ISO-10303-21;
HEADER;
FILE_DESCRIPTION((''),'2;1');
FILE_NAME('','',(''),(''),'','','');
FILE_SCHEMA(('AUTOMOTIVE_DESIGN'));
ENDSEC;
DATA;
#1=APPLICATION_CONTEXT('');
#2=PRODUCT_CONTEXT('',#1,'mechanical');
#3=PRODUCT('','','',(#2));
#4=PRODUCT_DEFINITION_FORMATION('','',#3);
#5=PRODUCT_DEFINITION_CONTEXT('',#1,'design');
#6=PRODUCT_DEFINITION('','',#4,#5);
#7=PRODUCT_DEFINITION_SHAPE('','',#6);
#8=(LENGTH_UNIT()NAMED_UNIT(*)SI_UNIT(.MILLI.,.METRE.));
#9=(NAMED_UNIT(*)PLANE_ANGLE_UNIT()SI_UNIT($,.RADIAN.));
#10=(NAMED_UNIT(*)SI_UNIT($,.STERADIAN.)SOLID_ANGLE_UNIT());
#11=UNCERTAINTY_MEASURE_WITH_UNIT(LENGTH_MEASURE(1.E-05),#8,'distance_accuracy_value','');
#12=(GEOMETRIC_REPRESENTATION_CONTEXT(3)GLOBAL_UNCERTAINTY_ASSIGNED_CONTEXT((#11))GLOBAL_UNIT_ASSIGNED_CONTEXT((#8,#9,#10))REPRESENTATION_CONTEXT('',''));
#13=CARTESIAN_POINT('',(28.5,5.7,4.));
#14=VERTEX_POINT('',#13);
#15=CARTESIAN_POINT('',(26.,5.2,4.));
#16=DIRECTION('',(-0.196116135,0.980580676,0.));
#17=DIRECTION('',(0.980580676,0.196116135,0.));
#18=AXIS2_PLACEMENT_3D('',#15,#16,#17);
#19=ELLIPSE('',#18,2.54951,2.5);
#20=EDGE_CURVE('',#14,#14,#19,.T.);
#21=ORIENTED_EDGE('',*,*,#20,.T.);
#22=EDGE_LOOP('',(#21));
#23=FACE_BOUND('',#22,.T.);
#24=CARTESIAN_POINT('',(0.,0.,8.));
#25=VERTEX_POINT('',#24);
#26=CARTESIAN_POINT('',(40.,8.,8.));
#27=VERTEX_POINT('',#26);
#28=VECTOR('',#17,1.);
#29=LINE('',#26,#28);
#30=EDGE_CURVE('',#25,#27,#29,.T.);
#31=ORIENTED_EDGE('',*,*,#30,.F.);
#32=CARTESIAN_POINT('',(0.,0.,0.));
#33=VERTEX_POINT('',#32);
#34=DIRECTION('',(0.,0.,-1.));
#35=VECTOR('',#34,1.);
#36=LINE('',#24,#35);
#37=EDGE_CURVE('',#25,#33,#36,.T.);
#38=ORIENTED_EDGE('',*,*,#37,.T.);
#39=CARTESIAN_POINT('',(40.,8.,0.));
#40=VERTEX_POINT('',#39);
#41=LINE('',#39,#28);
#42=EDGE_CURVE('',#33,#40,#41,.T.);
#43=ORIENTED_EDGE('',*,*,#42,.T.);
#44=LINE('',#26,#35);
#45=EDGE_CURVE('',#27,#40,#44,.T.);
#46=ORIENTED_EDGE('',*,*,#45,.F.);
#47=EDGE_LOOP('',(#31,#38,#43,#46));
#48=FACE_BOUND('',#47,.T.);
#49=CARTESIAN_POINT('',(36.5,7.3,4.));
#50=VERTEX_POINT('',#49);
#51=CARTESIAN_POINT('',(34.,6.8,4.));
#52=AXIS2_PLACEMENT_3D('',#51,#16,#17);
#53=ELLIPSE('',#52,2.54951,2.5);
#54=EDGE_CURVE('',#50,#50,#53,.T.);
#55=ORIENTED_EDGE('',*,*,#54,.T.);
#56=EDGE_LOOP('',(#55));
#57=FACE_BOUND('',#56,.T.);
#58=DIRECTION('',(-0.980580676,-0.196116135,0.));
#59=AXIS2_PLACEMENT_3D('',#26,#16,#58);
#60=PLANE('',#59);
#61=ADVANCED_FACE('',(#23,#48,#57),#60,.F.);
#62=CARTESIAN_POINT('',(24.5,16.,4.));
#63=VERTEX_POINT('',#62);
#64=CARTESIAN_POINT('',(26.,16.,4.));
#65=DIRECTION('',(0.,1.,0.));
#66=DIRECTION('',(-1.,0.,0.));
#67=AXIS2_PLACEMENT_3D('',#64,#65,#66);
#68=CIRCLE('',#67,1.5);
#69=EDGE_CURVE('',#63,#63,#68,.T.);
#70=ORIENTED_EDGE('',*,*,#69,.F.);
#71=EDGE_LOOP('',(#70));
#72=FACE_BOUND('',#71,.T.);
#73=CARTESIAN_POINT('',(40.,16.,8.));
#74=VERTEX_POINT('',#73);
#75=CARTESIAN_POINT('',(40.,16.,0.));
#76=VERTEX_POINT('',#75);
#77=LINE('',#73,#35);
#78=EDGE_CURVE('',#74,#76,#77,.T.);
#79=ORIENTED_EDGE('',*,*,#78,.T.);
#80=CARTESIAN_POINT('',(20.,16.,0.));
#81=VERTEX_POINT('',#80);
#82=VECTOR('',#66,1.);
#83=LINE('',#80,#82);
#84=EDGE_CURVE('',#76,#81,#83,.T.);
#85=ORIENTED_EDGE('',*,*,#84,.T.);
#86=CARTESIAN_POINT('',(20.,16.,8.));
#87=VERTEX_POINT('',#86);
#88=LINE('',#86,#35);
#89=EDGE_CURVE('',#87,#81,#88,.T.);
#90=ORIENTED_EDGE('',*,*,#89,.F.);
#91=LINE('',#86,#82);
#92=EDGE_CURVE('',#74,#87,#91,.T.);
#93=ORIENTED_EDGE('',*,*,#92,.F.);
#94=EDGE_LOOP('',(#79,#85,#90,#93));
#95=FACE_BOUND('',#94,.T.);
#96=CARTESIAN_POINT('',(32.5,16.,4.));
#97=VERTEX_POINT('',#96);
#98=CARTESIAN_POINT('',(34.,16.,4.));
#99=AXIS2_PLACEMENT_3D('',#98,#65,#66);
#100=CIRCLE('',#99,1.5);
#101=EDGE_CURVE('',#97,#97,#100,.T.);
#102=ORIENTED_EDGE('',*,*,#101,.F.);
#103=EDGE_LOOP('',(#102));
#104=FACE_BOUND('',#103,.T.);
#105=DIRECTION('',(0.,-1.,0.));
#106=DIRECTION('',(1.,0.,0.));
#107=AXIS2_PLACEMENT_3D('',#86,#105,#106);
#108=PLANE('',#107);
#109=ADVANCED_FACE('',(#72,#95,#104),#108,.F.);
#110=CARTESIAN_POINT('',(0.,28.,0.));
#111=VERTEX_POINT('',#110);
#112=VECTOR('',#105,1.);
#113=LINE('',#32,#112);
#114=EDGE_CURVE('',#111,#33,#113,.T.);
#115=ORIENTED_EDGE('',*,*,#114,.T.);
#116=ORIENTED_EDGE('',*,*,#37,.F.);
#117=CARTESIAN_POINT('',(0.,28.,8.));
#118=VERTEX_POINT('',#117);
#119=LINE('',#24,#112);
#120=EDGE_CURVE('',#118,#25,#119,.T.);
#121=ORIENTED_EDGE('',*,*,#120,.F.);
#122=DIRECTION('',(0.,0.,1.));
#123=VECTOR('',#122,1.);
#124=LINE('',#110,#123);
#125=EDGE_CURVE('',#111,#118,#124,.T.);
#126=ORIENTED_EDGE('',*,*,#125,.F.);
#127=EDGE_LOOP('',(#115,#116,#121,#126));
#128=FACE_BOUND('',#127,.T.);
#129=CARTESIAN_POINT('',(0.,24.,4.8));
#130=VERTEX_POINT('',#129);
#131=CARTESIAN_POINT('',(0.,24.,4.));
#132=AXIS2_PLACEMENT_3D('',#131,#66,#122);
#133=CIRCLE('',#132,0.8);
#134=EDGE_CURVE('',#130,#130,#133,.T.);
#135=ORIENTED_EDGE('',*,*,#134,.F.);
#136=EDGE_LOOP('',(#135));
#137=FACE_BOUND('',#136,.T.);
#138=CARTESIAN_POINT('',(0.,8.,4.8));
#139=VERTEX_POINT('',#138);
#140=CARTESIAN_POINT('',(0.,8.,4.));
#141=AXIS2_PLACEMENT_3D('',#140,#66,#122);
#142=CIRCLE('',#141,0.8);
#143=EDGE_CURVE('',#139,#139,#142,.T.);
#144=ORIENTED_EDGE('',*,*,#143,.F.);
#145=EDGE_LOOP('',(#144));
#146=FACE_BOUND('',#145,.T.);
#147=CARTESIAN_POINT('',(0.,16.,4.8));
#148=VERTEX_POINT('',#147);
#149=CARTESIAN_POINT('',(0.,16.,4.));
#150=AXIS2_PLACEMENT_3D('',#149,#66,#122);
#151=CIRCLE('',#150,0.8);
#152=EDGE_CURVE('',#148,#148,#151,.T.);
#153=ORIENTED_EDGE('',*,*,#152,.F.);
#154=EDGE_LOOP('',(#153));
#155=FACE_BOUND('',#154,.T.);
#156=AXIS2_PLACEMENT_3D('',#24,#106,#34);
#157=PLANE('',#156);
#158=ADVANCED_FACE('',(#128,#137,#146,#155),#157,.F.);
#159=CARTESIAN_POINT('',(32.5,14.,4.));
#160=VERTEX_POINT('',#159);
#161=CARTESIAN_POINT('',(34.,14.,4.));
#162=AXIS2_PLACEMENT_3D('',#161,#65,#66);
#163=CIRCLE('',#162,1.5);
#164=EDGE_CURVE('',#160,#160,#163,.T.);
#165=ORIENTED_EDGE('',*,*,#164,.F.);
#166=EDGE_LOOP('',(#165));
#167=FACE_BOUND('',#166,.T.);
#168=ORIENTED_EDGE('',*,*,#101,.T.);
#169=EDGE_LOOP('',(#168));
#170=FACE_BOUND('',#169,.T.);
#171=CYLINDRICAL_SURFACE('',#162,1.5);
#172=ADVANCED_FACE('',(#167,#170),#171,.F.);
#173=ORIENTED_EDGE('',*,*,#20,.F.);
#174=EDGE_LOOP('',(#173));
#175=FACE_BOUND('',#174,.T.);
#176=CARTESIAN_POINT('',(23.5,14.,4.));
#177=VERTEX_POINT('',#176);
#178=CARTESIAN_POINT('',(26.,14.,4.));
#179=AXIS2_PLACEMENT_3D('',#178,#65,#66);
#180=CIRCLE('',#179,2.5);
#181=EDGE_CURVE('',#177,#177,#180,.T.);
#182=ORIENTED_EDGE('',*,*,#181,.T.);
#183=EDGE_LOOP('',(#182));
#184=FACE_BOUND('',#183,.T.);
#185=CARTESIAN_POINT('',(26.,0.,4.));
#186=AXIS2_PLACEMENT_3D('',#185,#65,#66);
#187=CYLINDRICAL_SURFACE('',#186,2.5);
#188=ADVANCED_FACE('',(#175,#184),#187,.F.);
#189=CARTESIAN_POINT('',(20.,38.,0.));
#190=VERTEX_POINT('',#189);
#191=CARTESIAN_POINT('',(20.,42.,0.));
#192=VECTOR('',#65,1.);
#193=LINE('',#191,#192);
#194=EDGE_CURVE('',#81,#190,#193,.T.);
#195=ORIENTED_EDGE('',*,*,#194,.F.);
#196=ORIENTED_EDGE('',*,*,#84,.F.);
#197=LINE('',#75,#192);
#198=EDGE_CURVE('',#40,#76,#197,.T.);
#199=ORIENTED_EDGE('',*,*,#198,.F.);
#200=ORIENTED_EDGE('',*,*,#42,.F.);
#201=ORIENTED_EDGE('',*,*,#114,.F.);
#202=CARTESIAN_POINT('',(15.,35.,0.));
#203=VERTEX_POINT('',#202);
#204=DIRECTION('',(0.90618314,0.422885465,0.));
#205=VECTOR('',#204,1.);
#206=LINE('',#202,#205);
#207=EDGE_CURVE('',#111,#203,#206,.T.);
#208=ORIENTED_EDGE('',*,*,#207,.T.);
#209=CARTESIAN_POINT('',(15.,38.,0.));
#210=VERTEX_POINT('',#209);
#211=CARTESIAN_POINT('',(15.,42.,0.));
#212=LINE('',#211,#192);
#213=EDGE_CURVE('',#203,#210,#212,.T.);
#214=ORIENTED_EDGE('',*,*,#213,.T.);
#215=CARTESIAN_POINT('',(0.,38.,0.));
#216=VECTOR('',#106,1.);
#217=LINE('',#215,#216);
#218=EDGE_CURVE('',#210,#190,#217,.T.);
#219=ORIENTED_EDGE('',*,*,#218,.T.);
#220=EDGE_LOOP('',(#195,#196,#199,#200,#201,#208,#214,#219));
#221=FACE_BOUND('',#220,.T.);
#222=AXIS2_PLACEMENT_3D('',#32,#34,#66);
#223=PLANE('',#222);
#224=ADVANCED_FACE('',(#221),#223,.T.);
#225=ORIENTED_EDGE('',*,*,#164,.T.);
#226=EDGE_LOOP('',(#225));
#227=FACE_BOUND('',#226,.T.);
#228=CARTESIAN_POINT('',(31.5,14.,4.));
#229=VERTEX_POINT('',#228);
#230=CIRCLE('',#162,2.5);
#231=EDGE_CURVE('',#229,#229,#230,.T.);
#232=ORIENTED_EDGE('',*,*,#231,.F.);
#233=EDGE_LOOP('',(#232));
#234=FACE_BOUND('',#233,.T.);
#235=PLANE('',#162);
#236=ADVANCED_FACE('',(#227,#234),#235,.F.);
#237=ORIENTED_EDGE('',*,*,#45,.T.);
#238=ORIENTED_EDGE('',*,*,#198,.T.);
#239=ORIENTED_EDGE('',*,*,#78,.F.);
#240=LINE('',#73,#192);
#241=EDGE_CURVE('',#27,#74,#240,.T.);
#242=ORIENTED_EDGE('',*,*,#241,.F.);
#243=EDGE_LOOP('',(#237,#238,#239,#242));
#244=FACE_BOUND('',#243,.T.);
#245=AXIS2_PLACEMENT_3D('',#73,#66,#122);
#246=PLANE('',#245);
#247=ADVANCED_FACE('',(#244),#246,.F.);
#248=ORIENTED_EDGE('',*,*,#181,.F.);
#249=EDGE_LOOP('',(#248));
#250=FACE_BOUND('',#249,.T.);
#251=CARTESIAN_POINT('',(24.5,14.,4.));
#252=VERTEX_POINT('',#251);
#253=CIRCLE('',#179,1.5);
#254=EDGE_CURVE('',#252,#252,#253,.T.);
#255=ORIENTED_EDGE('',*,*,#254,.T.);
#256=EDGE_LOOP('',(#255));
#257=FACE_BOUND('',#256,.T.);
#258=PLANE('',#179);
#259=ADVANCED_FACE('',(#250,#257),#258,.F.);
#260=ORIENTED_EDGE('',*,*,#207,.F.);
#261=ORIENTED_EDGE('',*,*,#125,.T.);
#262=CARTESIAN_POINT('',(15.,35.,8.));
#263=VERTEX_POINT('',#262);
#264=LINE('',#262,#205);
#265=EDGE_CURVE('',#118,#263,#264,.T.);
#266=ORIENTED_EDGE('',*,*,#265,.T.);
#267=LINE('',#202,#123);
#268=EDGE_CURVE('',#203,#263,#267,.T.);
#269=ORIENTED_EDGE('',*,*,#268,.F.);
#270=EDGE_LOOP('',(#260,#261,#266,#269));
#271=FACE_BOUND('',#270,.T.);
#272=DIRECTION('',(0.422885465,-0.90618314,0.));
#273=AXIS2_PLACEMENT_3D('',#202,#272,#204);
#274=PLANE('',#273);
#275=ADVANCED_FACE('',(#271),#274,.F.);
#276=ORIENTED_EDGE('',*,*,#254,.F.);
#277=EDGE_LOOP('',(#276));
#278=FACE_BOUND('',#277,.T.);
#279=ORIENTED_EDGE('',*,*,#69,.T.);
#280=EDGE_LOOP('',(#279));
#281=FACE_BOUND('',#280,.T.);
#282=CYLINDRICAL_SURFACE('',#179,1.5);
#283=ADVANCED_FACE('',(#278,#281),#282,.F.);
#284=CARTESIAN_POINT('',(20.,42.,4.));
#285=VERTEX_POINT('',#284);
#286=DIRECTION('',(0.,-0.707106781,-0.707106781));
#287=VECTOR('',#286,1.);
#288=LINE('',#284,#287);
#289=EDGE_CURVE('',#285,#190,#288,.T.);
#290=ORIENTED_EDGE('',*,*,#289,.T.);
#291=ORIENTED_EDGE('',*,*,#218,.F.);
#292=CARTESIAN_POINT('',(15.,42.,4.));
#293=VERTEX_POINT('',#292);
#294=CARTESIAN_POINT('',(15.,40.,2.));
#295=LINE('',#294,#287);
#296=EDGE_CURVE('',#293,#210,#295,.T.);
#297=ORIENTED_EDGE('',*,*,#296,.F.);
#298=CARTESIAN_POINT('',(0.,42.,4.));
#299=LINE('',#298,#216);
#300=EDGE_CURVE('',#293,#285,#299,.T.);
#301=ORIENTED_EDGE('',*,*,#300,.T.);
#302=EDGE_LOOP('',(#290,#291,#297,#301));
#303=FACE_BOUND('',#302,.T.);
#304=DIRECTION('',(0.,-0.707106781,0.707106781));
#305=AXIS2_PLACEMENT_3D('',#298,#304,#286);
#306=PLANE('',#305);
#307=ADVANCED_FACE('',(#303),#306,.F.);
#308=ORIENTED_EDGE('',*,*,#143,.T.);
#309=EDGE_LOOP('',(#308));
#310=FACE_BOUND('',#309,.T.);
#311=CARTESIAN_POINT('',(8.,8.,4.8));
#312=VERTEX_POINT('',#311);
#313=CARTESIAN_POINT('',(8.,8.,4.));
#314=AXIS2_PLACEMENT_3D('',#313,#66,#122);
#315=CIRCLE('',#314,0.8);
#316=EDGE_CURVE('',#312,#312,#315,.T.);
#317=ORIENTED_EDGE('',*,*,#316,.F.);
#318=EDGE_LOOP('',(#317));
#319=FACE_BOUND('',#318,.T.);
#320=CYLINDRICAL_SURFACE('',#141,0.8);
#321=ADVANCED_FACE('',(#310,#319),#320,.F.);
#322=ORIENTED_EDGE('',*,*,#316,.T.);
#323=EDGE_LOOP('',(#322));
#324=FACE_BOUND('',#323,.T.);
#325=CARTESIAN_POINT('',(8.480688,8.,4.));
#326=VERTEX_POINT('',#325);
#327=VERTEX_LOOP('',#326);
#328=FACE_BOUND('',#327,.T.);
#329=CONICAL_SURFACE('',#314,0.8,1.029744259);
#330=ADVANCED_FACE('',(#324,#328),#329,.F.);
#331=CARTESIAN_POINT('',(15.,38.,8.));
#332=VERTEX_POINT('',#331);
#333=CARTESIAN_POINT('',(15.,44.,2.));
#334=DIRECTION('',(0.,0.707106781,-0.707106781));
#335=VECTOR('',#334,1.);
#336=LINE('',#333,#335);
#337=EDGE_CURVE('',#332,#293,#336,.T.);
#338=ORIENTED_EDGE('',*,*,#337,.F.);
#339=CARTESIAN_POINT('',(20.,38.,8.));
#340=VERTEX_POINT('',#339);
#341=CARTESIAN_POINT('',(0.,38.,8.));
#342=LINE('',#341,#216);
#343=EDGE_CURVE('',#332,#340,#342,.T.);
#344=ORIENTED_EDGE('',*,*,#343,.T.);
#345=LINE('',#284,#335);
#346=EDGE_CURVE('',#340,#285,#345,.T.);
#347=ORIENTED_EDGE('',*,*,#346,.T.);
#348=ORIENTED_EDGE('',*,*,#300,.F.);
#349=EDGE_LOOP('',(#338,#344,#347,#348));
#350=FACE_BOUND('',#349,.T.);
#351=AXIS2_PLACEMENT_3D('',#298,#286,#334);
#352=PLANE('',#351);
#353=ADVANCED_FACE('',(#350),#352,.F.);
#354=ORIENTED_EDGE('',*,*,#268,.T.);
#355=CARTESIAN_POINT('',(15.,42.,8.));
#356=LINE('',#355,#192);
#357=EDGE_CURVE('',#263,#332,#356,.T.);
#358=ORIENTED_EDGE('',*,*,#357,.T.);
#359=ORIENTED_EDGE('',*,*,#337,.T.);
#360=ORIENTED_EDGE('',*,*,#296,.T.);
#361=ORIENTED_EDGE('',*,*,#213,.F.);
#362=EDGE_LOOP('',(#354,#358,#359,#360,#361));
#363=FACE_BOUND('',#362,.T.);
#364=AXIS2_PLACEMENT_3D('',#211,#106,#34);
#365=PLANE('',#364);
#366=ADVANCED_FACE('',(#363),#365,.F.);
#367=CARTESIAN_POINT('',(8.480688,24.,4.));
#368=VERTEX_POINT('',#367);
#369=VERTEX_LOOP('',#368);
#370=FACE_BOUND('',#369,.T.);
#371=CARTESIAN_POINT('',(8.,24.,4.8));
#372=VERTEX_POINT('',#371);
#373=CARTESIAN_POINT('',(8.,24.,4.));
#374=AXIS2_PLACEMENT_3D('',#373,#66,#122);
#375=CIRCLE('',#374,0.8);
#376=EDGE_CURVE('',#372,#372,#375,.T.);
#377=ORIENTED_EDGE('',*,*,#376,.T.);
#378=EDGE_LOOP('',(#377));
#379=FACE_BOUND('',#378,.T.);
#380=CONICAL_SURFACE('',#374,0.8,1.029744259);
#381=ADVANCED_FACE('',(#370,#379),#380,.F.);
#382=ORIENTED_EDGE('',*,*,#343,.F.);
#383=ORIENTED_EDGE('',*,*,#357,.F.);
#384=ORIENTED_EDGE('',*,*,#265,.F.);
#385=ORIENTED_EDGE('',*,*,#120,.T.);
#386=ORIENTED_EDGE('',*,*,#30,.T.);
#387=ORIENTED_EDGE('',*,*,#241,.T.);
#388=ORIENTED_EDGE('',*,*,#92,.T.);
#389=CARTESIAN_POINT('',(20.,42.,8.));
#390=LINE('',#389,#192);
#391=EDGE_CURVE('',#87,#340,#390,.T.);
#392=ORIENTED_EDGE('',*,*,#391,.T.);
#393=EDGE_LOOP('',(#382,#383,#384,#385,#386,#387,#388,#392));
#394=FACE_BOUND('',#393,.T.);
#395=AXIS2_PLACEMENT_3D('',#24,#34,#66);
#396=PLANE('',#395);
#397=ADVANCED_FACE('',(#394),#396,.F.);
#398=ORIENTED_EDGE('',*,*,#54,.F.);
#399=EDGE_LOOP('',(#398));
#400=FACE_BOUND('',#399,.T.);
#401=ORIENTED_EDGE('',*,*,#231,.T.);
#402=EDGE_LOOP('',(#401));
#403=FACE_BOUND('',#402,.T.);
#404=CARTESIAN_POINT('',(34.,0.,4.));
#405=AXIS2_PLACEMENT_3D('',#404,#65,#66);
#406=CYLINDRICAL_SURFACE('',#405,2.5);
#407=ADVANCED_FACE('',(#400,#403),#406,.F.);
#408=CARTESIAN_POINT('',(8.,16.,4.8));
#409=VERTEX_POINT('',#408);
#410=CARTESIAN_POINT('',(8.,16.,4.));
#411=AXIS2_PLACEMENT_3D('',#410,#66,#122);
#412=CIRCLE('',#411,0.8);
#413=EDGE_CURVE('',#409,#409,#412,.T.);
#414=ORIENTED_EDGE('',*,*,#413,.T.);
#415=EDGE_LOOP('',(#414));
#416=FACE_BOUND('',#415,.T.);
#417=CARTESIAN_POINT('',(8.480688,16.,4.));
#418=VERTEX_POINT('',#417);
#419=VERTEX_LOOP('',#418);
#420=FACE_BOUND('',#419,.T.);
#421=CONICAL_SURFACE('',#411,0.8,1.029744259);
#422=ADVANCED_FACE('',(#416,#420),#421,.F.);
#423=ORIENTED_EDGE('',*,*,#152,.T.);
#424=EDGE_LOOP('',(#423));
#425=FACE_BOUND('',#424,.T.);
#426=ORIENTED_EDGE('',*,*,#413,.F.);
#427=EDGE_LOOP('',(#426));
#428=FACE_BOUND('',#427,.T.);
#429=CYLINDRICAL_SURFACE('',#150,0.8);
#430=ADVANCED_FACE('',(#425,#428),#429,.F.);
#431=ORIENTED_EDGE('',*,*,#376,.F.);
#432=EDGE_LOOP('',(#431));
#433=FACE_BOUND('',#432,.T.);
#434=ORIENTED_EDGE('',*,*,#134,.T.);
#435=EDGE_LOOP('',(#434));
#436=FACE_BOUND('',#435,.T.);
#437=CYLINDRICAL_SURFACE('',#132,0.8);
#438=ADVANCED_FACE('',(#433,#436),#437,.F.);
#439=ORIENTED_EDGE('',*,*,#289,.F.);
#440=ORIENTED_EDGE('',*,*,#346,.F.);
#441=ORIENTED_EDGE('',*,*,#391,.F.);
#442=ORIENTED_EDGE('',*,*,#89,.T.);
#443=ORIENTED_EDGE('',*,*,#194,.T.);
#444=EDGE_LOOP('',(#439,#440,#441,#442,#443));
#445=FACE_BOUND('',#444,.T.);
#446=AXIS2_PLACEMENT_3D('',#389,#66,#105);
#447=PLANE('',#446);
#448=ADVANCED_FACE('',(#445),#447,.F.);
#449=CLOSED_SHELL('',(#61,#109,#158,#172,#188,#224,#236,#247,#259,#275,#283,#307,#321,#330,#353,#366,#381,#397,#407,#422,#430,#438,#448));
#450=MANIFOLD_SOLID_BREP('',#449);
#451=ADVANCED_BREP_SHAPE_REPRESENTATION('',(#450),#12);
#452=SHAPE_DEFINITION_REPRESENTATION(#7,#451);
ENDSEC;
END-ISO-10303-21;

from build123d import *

# Parameters (mm, degrees)
BOSS_EXTRUDE1_DEPTH       = 8
CUT_EXTRUDE1_DEPTH        = 8
SKETCH7_R                 = 1.5
CUT_EXTRUDE4_DEPTH        = 2
SKETCH9_R                 = 2.5
CUT_EXTRUDE5_DEPTH        = 15
CUT_EXTRUDE2_DEPTH        = 21
CUT_EXTRUDE3_DEPTH        = 21
M2X0_4_TAPPED_HOLE1_D     = 1.6
M2X0_4_TAPPED_HOLE1_DEPTH = 8
M2X0_4_TAPPED_HOLE1_TIP   = 0.480688495


with BuildPart() as part:
    # Sketch1 → Boss-Extrude1 (new body)
    with BuildSketch(Plane.XY):
        Polygon((0, 0), (0, 42), (20, 42), (20, 16), (40, 16), (40, 8), align=None)
    extrude(amount=BOSS_EXTRUDE1_DEPTH)

    # Sketch2 → Cut-Extrude1 (cut)
    with BuildSketch(Plane.XY.offset(8)):
        Polygon((15, 42), (15, 35), (0, 28), (0, 42), align=None)
    extrude(amount=-CUT_EXTRUDE1_DEPTH, mode=Mode.SUBTRACT)

    # Sketch7 → Cut-Extrude4 (cut)
    with BuildSketch(Plane(origin=(0, 16, 0), x_dir=(1, 0, 0), z_dir=(0, 1, 0))):
        with Locations((34, -4)):
            Circle(SKETCH7_R)
        with Locations((26, -4)):
            Circle(SKETCH7_R)
    extrude(amount=-CUT_EXTRUDE4_DEPTH, mode=Mode.SUBTRACT)

    # Sketch9 → Cut-Extrude5 (cut, through all)
    with BuildSketch(Plane(origin=(0, 14, 0), x_dir=(1, 0, 0), z_dir=(0, 1, 0))):
        with Locations((34, -4)):
            Circle(SKETCH9_R)
        with Locations((26, -4)):
            Circle(SKETCH9_R)
    extrude(amount=-CUT_EXTRUDE5_DEPTH, mode=Mode.SUBTRACT)

    # Sketch5 → Cut-Extrude2 (cut, through all)
    with BuildSketch(Plane(origin=(20, 0, 0), x_dir=(0, 0, -1), z_dir=(1, 0, 0))):
        Polygon((-8, 42), (-4, 42), (-8, 38), align=None)
    extrude(amount=-CUT_EXTRUDE2_DEPTH, mode=Mode.SUBTRACT)

    # Sketch6 → Cut-Extrude3 (cut, through all)
    with BuildSketch(Plane(origin=(20, 0, 0), x_dir=(0, 0, -1), z_dir=(1, 0, 0))):
        Polygon((0, 42), (-4, 42), (0, 38), align=None)
    extrude(amount=-CUT_EXTRUDE3_DEPTH, mode=Mode.SUBTRACT)

    # M2x0.4 Tapped Hole1
    with Locations(Plane(origin=(0, 24, 4), x_dir=(0, 0, -1), z_dir=(-1, 0, 0))):
        with Locations((0, 0), (0, 8), (0, 16)):
            Hole(M2X0_4_TAPPED_HOLE1_D / 2, depth=M2X0_4_TAPPED_HOLE1_DEPTH)
            with Locations((0, 0, -(M2X0_4_TAPPED_HOLE1_DEPTH + M2X0_4_TAPPED_HOLE1_TIP / 2))):  # 118° drill point
                Cone(0, M2X0_4_TAPPED_HOLE1_D / 2, M2X0_4_TAPPED_HOLE1_TIP, mode=Mode.SUBTRACT)


solid = part.part
